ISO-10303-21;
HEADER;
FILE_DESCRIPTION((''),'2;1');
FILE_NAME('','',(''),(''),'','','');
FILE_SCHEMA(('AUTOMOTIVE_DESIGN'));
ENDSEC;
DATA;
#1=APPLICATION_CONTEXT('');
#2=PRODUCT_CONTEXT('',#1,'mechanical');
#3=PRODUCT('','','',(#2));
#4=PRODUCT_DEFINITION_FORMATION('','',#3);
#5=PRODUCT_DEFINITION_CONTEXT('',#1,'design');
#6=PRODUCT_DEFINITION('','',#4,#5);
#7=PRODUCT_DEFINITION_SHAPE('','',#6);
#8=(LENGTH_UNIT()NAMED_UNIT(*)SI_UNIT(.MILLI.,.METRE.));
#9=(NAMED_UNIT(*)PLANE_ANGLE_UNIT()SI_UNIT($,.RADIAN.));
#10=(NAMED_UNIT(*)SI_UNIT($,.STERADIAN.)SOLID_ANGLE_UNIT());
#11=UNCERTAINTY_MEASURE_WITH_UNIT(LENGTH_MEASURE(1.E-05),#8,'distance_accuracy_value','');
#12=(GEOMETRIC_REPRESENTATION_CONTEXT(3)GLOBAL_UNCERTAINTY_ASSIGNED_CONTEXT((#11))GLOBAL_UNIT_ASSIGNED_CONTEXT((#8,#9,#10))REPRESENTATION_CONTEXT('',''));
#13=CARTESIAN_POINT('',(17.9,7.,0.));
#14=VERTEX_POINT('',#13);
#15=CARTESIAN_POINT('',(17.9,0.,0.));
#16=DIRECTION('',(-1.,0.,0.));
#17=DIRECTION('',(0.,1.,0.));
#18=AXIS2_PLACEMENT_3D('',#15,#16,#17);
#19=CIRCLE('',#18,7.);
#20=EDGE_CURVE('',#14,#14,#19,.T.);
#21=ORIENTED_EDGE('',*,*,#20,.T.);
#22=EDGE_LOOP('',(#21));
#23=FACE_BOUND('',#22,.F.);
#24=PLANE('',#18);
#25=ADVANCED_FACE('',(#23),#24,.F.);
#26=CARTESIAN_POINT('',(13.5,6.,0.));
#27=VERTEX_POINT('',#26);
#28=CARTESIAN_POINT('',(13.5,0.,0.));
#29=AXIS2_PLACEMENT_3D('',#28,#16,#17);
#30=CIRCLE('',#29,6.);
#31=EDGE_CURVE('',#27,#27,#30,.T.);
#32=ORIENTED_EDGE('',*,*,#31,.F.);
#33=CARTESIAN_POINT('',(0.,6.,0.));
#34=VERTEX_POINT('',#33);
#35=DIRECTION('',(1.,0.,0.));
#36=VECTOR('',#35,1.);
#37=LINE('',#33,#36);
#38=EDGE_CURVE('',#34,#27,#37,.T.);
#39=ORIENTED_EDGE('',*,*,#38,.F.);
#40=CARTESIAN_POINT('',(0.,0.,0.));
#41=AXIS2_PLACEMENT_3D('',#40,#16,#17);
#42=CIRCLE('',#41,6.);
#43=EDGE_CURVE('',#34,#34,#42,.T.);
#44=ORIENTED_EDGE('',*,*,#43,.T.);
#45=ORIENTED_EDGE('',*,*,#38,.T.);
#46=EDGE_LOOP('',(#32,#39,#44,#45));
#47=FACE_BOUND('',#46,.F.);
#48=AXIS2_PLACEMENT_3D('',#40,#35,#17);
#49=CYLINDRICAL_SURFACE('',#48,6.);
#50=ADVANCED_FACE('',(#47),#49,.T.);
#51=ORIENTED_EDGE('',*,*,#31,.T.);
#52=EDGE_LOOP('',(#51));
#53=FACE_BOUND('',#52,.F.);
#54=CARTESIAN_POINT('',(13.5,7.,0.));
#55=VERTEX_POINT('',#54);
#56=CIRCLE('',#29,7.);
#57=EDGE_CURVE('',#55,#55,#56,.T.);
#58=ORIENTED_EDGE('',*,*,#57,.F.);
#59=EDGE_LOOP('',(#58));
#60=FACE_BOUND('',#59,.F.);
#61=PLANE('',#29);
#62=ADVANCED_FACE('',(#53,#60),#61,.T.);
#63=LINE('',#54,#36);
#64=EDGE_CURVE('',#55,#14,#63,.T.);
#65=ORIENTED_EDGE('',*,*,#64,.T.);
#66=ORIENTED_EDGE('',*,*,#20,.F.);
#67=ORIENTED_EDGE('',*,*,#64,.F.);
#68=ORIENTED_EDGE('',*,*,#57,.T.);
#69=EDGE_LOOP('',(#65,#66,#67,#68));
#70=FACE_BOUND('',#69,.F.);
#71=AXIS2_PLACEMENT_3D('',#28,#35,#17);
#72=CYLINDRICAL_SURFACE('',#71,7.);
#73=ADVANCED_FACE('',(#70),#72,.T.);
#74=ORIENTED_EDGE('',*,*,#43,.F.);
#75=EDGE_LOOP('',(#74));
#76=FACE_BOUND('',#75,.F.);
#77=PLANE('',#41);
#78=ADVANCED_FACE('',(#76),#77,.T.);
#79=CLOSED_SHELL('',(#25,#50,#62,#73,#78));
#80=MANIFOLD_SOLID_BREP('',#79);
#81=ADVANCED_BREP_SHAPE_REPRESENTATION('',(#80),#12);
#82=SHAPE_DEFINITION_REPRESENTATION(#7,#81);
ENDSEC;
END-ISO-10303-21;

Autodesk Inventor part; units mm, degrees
ref_plane "YZ Plane" through (0, 0, 0) normal (1, 0, 0) x (0, 1, 0)
ref_plane "XZ Plane" through (0, 0, 0) normal (0, 1, 0) x (-1, 0, 0)
ref_plane "XY Plane" through (0, 0, 0) normal (0, 0, 1) x (1, 0, 0)
sketch "Skizze1" plane through (0, 0, 0) normal (0, 0, 1) x (1, 0, 0)
  line L0 (0, 0) -> (0, 6)
  line L1 (0, 6) -> (13.5, 6)
  line L2 (13.5, 6) -> (13.5, 7)
  line L3 (13.5, 7) -> (17.9, 7)
  line L4 (17.9, 7) -> (17.9, 0)
  line L5 (17.9, 0) -> (0, 0)
  dimension "d0" = 6
  dimension "d1" = 13.5
  dimension "d2" = 7
  dimension "d3" = 4.4
revolve "Umdrehung1" add sketch "Skizze1" angle 360 about axis through (17.9, 0, 0) along (-1, 0, 0)
properties part number "00_cctvlens"
